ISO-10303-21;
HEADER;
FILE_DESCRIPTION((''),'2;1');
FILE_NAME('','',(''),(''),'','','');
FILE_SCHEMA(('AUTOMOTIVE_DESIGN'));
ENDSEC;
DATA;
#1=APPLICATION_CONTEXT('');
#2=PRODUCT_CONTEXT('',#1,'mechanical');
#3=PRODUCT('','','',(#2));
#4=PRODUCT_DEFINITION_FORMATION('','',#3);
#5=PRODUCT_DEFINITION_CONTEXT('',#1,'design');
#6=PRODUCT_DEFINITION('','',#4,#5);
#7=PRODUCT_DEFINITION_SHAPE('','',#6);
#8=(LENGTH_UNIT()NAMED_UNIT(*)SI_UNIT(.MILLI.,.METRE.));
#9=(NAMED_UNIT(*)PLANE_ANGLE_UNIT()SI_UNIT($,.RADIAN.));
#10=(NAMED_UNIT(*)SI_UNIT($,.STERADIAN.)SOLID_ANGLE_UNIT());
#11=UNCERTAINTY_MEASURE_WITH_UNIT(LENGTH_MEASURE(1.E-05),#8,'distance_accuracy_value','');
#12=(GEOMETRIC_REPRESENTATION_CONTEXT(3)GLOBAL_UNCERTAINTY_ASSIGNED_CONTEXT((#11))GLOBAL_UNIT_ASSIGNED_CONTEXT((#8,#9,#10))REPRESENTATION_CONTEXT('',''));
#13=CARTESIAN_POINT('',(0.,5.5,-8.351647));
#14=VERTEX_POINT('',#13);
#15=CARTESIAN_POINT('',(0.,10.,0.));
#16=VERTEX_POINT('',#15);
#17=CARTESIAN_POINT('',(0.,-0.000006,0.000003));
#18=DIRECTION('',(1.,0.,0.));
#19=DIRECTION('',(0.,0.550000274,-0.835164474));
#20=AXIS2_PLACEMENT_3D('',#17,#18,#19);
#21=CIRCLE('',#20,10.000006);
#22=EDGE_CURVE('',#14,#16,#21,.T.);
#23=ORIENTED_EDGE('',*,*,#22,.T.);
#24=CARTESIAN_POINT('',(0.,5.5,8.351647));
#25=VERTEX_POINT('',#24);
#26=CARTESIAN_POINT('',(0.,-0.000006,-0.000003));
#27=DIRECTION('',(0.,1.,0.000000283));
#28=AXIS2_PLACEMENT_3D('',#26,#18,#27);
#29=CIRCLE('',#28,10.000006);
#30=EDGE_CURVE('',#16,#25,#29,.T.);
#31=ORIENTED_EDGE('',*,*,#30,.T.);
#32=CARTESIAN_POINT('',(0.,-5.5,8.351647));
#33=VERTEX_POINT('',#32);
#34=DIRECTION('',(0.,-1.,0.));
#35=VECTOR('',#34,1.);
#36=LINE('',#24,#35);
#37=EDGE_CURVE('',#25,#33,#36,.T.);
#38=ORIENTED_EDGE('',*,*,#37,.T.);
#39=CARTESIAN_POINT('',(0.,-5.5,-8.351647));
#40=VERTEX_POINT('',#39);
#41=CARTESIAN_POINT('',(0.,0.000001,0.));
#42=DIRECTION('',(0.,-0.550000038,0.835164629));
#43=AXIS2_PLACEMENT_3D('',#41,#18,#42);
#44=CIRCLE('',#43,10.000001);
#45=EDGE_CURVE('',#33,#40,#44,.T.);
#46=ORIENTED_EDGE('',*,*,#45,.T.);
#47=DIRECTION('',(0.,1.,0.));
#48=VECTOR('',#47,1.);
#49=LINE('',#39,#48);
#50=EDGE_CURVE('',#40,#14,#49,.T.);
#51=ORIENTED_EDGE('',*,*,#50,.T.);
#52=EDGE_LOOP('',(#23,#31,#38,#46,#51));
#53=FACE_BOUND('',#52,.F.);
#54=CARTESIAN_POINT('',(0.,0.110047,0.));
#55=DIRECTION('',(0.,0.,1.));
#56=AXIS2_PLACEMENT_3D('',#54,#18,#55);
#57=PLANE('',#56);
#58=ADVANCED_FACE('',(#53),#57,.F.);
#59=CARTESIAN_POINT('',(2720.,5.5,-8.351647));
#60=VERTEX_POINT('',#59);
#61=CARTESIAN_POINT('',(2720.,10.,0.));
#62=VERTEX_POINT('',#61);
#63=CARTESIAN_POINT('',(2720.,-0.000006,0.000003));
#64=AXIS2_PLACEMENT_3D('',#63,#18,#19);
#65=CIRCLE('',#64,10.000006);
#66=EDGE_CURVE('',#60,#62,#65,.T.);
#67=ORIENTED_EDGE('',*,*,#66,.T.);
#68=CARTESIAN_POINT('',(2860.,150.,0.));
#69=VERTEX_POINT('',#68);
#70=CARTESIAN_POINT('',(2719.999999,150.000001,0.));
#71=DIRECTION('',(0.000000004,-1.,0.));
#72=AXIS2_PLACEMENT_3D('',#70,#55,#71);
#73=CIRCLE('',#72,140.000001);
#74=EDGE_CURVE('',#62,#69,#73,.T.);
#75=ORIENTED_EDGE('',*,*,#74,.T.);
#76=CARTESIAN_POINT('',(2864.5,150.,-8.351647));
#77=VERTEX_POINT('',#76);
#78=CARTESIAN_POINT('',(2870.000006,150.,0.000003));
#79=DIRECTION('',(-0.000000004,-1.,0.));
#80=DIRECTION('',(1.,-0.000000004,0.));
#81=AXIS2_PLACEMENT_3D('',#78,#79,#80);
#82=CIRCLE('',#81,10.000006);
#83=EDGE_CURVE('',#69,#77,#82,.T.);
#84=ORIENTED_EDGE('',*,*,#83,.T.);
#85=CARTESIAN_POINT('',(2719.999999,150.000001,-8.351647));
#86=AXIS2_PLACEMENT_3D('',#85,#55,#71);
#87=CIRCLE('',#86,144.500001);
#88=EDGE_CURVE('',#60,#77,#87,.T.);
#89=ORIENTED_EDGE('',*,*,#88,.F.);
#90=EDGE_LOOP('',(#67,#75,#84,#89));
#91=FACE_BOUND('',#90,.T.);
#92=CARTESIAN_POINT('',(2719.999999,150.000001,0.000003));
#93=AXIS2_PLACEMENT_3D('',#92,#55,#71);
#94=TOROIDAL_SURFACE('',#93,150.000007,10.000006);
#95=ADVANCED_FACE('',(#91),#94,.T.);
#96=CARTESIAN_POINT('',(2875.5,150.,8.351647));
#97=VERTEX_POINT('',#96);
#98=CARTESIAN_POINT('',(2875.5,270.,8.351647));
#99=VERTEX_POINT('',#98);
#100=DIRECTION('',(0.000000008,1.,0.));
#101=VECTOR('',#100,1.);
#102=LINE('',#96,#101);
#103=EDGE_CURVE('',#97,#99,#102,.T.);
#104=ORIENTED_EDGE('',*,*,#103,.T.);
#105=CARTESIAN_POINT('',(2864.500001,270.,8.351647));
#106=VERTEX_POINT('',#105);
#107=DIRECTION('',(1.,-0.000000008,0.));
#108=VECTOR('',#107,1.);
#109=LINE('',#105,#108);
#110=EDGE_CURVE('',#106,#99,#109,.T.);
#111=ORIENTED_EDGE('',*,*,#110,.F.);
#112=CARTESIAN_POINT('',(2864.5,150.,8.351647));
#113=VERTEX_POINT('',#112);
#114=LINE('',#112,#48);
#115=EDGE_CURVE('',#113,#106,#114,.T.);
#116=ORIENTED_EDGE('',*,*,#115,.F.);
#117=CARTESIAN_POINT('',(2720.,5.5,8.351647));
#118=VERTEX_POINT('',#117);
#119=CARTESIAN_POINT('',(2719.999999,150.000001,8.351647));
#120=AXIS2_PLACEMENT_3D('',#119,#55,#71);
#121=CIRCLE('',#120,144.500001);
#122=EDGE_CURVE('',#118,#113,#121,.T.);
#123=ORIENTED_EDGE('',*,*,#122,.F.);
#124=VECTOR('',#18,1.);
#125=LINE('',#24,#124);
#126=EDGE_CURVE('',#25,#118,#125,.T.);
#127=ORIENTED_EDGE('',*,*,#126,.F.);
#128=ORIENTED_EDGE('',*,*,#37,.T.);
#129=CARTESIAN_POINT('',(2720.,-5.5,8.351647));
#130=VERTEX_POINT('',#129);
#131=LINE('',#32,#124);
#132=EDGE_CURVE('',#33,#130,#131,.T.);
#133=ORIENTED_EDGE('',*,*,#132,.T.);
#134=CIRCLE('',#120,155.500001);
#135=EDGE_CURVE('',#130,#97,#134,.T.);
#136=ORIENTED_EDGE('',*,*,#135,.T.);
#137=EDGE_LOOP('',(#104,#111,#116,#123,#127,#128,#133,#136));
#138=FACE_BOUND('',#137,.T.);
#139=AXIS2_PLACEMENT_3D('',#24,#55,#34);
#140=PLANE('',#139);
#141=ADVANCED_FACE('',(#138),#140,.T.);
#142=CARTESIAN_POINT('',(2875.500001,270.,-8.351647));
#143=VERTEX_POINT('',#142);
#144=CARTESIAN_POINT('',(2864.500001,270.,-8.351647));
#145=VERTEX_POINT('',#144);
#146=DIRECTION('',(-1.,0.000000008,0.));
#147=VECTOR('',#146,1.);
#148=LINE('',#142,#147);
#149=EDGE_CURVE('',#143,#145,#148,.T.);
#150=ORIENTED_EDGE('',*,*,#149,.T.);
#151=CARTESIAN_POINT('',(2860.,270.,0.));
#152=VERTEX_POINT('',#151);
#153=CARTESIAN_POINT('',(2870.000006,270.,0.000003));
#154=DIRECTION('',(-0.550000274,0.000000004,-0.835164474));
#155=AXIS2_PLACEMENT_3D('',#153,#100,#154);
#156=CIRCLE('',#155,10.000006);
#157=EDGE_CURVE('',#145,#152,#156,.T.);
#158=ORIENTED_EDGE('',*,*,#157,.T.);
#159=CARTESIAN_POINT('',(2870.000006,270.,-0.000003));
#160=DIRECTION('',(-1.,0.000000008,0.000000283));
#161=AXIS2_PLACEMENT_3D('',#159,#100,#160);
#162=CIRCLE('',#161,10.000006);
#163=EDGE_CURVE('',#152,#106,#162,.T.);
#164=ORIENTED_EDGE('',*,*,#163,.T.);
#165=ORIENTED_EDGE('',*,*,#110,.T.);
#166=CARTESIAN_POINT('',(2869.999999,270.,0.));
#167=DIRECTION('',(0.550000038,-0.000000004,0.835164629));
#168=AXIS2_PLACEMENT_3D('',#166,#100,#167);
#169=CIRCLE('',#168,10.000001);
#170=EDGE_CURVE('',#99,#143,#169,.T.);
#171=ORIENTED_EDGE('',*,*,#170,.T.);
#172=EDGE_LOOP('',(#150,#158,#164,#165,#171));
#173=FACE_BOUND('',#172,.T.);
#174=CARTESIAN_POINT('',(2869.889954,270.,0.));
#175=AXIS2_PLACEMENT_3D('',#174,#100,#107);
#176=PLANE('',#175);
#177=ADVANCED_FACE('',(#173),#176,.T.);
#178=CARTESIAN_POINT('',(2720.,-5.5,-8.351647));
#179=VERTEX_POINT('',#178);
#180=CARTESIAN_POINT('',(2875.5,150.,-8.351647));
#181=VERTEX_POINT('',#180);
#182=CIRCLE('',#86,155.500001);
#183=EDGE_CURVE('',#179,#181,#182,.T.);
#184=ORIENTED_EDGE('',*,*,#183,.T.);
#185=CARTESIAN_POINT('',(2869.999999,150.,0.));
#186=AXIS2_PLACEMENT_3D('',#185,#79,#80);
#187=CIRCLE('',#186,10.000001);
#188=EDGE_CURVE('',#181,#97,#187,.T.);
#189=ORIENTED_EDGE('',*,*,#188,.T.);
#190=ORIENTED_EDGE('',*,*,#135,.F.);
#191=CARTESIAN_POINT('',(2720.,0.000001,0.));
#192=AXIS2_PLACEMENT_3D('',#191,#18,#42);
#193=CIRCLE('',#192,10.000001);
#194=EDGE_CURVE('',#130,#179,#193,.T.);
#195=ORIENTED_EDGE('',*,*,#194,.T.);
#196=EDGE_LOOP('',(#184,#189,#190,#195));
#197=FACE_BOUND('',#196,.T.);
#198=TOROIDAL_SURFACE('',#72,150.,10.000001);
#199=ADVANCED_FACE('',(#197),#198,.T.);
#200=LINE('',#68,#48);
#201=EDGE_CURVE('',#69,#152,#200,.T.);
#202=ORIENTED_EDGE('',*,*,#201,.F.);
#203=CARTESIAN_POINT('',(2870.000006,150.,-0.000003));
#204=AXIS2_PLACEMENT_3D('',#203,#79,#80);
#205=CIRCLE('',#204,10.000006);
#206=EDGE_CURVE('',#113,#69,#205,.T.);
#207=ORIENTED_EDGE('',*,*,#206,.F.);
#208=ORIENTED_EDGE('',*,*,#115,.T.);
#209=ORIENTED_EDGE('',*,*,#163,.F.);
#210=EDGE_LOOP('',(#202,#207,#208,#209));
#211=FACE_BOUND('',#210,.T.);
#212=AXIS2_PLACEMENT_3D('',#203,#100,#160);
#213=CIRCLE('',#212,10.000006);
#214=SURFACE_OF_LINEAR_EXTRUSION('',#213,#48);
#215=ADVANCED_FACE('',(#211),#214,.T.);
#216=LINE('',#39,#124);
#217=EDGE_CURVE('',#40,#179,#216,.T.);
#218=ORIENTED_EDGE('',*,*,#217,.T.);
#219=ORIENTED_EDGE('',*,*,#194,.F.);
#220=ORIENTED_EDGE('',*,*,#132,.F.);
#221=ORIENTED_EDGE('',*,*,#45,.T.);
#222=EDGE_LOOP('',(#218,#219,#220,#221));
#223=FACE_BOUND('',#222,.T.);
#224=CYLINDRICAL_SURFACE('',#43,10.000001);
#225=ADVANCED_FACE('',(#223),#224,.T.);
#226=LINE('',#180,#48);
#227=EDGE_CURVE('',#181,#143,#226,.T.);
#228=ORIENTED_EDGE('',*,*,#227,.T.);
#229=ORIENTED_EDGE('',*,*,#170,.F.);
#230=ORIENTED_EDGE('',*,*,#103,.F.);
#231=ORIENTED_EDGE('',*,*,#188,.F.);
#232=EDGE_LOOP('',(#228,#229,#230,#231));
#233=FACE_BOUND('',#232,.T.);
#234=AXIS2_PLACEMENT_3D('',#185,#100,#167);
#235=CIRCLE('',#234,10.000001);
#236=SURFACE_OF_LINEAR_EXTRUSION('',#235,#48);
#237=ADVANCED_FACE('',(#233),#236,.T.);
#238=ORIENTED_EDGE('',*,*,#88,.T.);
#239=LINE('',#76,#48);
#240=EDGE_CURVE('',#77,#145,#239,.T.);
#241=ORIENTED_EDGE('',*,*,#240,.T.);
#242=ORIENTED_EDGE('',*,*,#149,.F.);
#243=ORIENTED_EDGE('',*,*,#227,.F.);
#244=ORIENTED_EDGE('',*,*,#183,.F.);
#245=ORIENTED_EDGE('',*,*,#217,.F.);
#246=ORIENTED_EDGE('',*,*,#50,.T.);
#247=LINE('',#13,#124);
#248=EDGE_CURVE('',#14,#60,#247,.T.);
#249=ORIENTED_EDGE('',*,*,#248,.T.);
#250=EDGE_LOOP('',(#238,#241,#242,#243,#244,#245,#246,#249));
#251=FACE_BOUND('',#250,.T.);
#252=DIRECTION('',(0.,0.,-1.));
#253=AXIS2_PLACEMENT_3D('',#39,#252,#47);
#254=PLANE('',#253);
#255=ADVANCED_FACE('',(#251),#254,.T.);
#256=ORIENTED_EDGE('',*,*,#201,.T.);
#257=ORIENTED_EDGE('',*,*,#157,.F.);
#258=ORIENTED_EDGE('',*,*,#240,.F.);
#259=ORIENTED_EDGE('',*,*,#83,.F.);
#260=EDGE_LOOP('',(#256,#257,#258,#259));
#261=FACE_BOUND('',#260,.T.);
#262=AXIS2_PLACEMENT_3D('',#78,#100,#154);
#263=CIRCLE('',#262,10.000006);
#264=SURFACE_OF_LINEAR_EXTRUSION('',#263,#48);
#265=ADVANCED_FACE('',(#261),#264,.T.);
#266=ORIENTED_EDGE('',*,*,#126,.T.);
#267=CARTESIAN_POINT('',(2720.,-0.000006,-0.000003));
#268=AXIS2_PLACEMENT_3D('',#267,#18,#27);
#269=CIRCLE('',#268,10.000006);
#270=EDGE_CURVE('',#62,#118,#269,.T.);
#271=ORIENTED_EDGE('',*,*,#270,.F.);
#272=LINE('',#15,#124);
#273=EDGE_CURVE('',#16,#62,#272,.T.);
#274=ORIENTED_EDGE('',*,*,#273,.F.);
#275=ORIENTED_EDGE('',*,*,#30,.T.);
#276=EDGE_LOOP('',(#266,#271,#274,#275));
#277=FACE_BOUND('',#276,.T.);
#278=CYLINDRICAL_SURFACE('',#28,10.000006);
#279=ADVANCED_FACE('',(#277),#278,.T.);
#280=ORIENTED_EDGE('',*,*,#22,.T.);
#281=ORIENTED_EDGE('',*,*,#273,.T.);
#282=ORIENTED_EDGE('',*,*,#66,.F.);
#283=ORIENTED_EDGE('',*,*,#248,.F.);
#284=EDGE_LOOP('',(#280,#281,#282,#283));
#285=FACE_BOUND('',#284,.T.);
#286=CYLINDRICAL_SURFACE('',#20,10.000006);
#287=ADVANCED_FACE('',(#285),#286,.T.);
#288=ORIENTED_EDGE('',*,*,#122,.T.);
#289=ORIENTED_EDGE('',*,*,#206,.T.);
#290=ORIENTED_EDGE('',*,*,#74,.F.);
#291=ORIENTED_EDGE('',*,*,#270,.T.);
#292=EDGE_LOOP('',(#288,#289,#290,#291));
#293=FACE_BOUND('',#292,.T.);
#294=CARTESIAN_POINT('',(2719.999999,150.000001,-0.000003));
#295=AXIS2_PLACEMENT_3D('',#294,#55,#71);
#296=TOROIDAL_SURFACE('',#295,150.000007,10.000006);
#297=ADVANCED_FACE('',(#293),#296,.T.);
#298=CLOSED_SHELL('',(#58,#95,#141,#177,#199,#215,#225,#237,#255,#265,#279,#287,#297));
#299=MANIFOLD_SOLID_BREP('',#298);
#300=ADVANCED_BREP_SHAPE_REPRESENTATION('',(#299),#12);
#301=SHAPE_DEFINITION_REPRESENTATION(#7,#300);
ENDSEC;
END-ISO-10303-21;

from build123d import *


with BuildPart() as f2:
    # F2: sweep along a path in F0
    with BuildLine(Plane.XY) as f2_path:
        Line((0, 0), (2720, 0))
        ThreePointArc((2720, 0), (2826.066017, 43.933983), (2870, 150))
        Line((2870, 150), (2870, 270))
    # F1 (on Right) → F2 (sweep)
    with BuildSketch(Plane.YZ):
        with BuildLine():
            ThreePointArc((5.5, -8.351647), (8.803408, -4.743416), (10, 0))
            ThreePointArc((10, 0), (8.803408, 4.743416), (5.5, 8.351647))
            Line((5.5, 8.351647), (-5.5, 8.351647))
            ThreePointArc((-5.5, 8.351647), (-10, 0), (-5.5, -8.351647))
            Line((-5.5, -8.351647), (5.5, -8.351647))
        make_face()
    sweep(path=f2_path.line)


solid = f2.part
